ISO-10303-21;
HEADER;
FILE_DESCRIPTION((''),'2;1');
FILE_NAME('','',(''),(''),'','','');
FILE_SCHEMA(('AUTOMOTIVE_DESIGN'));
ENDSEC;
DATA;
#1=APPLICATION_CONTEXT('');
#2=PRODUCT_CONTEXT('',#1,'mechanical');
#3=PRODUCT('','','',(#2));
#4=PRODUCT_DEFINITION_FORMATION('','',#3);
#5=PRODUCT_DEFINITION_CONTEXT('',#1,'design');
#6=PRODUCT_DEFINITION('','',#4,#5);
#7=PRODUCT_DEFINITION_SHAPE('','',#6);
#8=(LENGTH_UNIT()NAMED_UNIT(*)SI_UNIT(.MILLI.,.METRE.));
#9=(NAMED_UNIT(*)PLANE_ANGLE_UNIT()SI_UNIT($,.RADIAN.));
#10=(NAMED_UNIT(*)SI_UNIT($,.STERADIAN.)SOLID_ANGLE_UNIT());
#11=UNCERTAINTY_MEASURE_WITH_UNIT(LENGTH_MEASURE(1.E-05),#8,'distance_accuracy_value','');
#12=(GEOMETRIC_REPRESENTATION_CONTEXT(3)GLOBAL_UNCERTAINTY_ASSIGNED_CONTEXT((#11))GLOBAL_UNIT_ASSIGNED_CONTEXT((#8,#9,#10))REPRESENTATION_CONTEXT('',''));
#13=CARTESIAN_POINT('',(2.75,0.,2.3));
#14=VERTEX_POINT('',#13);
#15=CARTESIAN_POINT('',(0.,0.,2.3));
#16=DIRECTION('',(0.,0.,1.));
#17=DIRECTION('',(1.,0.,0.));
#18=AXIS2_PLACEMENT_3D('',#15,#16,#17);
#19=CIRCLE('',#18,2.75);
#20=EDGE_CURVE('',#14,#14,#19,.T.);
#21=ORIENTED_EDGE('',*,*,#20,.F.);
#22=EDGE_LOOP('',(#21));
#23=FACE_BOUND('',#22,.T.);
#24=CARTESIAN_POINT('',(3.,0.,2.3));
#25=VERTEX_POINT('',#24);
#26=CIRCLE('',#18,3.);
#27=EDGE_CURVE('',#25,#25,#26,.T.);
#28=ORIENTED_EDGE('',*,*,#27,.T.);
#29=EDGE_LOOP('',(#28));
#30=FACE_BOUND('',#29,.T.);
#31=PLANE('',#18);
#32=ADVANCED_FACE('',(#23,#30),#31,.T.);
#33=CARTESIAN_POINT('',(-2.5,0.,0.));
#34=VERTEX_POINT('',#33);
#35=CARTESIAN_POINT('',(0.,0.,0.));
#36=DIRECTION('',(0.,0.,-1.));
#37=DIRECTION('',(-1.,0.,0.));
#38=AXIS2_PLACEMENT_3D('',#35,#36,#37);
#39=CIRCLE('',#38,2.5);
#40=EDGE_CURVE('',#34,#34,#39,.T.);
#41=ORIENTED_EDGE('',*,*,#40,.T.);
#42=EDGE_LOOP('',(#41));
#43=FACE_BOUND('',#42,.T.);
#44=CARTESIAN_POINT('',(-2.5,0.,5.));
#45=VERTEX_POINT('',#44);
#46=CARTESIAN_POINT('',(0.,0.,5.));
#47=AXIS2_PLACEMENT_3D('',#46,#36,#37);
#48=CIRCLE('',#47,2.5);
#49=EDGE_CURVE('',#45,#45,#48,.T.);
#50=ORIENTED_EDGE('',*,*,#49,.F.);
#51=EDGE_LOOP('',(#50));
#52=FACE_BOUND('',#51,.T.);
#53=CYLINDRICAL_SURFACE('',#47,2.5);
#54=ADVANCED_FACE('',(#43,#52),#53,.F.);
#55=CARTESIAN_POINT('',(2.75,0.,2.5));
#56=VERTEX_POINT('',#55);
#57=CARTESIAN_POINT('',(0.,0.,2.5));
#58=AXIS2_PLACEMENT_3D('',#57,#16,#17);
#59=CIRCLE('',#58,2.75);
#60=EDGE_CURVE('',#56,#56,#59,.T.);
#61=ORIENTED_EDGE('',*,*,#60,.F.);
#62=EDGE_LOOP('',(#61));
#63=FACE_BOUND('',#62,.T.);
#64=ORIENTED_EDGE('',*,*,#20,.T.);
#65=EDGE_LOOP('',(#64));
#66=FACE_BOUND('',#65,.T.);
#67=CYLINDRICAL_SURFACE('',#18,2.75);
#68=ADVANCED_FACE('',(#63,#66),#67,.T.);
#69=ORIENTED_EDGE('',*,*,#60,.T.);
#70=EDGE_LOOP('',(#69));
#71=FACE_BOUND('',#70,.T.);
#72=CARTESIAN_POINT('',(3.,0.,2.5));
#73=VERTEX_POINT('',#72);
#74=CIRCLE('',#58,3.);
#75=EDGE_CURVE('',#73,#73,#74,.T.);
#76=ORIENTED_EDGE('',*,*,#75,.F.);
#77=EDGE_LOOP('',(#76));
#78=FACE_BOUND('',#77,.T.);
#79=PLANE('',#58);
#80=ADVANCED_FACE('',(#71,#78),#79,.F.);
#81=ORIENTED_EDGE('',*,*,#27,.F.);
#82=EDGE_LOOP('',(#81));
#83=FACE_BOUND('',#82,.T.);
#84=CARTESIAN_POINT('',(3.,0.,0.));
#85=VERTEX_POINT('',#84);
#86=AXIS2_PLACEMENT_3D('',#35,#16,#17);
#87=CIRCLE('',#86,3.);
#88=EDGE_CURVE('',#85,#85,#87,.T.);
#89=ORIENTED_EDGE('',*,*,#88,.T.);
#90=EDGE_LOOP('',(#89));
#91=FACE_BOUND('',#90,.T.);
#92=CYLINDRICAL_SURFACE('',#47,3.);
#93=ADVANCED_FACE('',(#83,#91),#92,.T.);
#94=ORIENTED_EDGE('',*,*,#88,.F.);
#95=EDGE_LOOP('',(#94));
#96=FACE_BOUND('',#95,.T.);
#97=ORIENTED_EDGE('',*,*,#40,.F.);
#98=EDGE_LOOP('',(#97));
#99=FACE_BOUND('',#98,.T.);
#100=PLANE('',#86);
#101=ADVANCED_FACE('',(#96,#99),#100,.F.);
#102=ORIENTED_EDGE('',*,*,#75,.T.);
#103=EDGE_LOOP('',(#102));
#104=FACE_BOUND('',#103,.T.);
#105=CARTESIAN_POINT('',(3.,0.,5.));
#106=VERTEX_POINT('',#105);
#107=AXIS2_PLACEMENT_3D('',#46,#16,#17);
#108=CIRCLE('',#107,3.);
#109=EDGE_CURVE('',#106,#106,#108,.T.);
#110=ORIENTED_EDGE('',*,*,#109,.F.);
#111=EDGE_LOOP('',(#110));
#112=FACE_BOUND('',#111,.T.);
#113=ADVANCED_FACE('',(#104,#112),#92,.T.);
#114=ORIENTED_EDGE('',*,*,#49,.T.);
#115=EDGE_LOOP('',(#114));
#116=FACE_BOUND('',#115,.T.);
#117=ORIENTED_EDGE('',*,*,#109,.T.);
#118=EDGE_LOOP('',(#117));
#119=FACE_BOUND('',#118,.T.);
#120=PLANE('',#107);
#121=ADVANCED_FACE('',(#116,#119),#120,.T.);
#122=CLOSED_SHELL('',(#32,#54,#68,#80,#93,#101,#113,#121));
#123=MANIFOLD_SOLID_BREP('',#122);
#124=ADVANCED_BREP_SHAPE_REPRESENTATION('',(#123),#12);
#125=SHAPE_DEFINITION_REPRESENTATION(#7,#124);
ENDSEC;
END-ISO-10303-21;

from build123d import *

# Parameters (mm, degrees)
SKETCH_1_R          = 3
EXTRUDE_1_DEPTH     = 5
SKETCH_2_R          = 2.5
CUT_EXTRUDE_1_DEPTH = 5
CUT_EXTRUDE_START   = -0.2
SKETCH_3_R          = 3
SKETCH_3_R_2        = 2.75
CUT_EXTRUDE_2_DEPTH = 0.2


with BuildPart() as part:
    # 草图1 → 凸台-拉伸1 (new body)
    with BuildSketch(Plane.XY):
        Circle(SKETCH_1_R)
    extrude(amount=EXTRUDE_1_DEPTH)

    # 草图2 → 切除-拉伸1 (cut)
    with BuildSketch(Plane(origin=(0, 0, 0), x_dir=(-1, 0, 0), z_dir=(0, 0, -1))):
        Circle(SKETCH_2_R)
    extrude(amount=-CUT_EXTRUDE_1_DEPTH, mode=Mode.SUBTRACT)

    # 草图3 → 切除-拉伸2 (cut)
    with BuildSketch(Plane.XY.offset(2.5).offset(CUT_EXTRUDE_START)):
        Circle(SKETCH_3_R)
        Circle(SKETCH_3_R_2, mode=Mode.SUBTRACT)
    extrude(amount=CUT_EXTRUDE_2_DEPTH, mode=Mode.SUBTRACT)


solid = part.part
